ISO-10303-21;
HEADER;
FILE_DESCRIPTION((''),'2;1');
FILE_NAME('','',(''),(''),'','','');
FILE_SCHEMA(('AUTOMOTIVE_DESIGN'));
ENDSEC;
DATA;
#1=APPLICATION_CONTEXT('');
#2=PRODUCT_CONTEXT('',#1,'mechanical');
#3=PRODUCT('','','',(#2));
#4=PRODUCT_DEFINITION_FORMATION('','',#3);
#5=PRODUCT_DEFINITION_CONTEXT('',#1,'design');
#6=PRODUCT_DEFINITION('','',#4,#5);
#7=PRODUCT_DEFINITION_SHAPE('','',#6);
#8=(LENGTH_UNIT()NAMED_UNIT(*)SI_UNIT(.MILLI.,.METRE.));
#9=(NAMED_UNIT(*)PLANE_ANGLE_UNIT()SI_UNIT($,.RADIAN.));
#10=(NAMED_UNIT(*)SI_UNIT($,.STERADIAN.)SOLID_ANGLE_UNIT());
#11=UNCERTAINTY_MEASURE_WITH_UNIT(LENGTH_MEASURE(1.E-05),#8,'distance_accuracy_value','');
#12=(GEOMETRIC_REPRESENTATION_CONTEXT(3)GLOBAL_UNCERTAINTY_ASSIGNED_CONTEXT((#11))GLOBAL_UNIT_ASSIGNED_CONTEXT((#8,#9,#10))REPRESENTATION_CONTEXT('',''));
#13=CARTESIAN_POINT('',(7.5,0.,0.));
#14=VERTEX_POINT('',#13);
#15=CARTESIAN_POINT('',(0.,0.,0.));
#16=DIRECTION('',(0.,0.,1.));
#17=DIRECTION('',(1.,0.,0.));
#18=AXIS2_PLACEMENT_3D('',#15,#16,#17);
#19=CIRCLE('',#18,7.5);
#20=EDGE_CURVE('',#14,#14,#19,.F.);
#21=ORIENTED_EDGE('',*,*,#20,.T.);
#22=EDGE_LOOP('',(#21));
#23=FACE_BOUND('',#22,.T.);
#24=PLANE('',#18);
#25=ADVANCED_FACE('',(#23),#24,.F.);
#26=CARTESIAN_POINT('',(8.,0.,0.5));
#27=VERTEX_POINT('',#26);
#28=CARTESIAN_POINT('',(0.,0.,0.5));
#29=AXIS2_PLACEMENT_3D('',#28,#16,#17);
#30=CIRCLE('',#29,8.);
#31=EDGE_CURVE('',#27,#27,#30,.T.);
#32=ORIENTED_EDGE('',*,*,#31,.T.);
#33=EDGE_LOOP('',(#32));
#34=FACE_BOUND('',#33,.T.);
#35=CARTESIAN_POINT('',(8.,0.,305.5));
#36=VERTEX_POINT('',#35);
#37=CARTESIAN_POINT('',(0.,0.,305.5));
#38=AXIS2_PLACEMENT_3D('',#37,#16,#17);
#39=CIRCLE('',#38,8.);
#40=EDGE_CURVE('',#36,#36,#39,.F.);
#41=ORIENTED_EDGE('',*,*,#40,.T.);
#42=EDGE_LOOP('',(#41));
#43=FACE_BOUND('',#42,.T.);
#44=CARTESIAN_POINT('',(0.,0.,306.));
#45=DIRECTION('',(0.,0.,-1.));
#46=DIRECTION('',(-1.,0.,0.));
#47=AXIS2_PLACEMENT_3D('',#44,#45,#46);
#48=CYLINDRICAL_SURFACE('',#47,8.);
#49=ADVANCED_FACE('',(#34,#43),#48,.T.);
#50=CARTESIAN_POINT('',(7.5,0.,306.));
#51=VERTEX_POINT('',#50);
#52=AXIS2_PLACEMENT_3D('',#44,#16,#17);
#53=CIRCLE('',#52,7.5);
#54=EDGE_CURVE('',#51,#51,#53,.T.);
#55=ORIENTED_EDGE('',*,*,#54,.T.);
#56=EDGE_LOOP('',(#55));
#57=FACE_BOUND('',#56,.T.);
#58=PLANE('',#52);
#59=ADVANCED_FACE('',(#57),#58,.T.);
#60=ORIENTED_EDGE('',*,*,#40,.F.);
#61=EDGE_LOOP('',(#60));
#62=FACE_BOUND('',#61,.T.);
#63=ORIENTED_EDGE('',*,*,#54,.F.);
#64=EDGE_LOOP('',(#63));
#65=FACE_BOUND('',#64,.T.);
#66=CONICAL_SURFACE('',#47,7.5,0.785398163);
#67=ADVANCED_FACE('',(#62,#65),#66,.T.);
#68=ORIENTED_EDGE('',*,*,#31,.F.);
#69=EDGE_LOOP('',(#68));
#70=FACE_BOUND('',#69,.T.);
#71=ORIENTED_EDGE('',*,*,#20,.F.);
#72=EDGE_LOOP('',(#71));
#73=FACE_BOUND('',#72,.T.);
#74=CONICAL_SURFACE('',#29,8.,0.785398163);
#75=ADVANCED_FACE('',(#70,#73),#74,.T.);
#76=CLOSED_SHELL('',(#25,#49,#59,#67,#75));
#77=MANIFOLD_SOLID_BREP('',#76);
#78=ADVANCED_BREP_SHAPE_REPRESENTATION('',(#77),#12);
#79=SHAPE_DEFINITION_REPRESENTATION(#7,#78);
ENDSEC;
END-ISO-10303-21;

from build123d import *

# Parameters (mm, degrees)
SKETCH1_R           = 8
BOSS_EXTRUDE1_DEPTH = 306
CHAMFER1_SIZE       = 0.5


with BuildPart() as part:
    # Sketch1 → Boss-Extrude1 (new body)
    with BuildSketch(Plane.XY):
        Circle(SKETCH1_R)
    extrude(amount=BOSS_EXTRUDE1_DEPTH)

    # Chamfer1
    chamfer1_edges = [part.edges().sort_by_distance(p)[0] for p in [
        (-8, 0, 0),
        (-8, 0, 306),
    ]]
    chamfer(chamfer1_edges, length=CHAMFER1_SIZE)


solid = part.part
